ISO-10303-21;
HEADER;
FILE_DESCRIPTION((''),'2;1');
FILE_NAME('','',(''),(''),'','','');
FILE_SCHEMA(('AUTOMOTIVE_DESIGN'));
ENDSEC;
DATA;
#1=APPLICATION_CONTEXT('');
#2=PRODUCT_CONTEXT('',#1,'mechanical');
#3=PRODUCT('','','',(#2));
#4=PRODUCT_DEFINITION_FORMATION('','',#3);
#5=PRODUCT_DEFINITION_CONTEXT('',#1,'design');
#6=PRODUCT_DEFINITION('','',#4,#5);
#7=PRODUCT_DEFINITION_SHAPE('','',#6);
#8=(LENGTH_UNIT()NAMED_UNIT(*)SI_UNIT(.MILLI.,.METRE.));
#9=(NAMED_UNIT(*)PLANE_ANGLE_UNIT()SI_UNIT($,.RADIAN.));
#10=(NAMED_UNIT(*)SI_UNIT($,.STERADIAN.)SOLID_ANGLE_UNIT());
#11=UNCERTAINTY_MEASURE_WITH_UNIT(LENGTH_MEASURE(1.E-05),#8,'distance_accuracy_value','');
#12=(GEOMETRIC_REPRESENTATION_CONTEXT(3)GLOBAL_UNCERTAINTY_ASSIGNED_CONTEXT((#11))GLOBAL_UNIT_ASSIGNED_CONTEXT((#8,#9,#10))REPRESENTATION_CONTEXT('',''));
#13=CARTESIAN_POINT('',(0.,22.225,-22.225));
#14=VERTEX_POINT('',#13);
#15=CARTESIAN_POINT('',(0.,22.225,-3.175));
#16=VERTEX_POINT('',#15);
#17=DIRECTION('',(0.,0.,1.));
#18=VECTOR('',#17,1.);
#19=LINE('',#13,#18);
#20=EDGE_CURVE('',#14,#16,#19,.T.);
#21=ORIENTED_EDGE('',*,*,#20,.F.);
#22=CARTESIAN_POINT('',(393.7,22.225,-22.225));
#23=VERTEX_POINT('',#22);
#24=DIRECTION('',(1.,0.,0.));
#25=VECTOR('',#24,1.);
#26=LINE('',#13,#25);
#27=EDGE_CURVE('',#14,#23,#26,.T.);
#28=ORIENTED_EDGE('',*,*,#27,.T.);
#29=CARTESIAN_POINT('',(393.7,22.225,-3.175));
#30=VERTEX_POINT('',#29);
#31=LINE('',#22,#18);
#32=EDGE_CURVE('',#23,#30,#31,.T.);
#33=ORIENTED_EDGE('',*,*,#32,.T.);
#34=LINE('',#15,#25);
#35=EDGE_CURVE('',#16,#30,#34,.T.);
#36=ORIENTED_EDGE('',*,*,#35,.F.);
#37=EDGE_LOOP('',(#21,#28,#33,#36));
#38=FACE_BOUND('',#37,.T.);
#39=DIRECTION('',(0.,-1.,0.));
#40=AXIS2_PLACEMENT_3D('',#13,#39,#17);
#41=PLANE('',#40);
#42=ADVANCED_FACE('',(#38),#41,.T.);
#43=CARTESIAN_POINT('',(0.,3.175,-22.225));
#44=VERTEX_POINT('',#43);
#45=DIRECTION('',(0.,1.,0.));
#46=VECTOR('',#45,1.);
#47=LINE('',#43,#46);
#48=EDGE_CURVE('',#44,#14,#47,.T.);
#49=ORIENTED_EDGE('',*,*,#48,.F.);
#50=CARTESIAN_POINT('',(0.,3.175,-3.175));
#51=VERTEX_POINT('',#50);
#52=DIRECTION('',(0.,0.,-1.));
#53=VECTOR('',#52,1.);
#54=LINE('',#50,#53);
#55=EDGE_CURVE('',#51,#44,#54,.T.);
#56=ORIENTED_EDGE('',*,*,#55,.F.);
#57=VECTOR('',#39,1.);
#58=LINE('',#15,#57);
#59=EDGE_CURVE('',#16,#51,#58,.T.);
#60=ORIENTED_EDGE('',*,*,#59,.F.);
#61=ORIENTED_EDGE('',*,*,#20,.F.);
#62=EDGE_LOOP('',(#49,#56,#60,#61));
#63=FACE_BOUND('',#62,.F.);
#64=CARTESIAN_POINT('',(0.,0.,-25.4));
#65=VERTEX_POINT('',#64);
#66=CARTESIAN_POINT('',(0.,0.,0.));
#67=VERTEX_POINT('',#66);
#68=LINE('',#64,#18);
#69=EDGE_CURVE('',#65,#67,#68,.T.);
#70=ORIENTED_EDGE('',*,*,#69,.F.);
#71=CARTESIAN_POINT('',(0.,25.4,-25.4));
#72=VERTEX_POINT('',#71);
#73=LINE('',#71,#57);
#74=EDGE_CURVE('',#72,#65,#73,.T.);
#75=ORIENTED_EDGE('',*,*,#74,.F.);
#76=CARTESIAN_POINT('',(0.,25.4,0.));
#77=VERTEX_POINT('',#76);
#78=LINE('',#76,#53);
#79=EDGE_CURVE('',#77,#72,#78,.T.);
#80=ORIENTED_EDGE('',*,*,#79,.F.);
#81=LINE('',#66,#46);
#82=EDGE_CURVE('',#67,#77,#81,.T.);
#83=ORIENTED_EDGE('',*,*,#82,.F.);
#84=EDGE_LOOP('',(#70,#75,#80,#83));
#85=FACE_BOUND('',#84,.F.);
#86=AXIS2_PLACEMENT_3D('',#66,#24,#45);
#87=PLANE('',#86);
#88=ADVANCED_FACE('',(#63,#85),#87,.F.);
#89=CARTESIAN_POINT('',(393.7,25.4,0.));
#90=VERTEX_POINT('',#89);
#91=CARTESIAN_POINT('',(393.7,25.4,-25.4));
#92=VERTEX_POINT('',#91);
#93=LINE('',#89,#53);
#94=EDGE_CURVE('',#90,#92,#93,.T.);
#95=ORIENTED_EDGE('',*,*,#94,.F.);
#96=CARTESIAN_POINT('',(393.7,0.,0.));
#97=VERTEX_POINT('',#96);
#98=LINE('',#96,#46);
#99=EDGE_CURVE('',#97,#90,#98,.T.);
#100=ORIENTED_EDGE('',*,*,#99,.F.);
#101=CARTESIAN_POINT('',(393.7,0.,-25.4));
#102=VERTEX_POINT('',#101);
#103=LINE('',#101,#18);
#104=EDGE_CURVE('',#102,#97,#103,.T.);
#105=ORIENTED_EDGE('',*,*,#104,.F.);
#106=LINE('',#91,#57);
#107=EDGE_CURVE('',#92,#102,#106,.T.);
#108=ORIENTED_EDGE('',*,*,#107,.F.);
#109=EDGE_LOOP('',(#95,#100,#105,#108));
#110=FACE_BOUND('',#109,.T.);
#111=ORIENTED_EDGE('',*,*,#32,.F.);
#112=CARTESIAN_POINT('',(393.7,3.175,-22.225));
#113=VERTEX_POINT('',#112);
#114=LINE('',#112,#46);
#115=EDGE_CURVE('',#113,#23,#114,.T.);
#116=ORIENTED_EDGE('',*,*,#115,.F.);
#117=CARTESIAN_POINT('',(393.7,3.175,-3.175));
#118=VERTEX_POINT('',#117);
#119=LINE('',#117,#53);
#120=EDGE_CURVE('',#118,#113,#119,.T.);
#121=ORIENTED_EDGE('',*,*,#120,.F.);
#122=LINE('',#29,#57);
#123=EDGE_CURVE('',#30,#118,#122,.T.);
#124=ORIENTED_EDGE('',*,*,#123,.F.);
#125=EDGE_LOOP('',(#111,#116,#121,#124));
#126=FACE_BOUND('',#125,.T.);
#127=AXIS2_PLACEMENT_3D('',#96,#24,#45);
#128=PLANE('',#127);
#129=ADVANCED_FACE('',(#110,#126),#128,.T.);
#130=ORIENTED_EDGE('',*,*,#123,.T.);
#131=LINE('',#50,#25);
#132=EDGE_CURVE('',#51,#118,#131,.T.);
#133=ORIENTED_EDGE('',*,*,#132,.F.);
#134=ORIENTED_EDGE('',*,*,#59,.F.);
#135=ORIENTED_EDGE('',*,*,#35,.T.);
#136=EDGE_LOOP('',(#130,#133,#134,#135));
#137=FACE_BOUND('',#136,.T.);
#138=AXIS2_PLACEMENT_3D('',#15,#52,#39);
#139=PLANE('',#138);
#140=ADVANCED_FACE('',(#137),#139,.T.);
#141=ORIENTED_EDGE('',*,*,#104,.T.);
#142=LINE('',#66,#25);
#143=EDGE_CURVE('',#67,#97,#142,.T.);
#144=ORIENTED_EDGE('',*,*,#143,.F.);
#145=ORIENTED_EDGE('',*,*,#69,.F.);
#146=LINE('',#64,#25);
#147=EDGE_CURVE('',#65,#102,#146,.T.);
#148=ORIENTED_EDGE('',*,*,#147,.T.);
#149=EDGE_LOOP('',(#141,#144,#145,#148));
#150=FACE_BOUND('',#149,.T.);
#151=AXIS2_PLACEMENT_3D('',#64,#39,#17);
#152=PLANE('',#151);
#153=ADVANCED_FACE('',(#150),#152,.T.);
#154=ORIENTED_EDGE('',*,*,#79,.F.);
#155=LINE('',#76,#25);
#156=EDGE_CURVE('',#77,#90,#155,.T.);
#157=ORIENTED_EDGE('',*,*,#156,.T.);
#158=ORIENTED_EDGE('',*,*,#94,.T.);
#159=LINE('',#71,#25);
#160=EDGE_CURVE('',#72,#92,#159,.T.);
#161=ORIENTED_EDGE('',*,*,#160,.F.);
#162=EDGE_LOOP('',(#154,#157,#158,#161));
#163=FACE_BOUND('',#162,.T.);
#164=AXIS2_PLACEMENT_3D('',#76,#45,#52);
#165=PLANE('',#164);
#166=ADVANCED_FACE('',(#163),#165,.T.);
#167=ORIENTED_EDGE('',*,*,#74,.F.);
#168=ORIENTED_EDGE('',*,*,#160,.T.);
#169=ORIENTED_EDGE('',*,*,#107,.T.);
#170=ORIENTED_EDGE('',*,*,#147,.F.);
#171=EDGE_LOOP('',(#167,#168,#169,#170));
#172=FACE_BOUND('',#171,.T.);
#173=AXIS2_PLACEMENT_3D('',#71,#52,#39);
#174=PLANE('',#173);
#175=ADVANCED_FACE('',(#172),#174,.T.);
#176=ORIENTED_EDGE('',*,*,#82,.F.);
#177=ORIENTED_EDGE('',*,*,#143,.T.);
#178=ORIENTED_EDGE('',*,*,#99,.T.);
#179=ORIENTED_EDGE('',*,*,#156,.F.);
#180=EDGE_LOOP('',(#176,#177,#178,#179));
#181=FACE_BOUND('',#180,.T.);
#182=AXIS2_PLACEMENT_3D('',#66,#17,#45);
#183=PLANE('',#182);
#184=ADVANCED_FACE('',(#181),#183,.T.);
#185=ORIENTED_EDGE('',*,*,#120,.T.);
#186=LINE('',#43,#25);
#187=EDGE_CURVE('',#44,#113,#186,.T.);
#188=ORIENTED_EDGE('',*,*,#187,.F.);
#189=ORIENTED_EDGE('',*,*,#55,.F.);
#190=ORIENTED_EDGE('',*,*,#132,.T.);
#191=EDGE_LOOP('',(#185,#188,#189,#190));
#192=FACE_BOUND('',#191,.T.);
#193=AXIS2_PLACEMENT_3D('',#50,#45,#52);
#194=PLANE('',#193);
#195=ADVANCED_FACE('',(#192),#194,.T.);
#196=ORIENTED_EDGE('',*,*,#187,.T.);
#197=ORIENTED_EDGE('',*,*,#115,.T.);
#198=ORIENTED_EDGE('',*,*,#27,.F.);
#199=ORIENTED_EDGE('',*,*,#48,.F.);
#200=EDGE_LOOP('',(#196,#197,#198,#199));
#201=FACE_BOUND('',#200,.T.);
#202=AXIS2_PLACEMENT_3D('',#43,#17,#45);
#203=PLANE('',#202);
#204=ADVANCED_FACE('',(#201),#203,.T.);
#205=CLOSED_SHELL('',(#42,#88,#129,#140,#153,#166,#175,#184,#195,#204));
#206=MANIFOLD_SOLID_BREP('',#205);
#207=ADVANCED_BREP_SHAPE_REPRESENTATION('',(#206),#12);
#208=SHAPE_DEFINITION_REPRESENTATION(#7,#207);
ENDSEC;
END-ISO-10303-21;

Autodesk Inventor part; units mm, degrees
ref_plane "YZ Plane" through (0, 0, 0) normal (1, 0, 0) x (0, 1, 0)
ref_plane "XZ Plane" through (0, 0, 0) normal (0, 1, 0) x (-1, 0, 0)
ref_plane "XY Plane" through (0, 0, 0) normal (0, 0, 1) x (1, 0, 0)
sketch "Sketch1" plane through (0, 0, 0) normal (1, 0, 0) x (0, 1, 0)
  line L0 (0, 0) -> (25.4, 0)
  line L1 (25.4, 0) -> (25.4, -25.4)
  line L2 (25.4, -25.4) -> (0, -25.4)
  line L3 (0, -25.4) -> (0, 0)
  line L4 (22.225, -22.225) -> (22.225, -3.175)
  line L5 (22.225, -3.175) -> (3.175, -3.175)
  line L6 (3.175, -3.175) -> (3.175, -22.225)
  line L7 (3.175, -22.225) -> (22.225, -22.225)
  dimension "d0" = 25.4
  dimension "d1" = 25.4
  dimension "d2" = 3.175
extrude "Extrusion1" add sketch "Sketch1" along normal blind 393.7
properties part number "15.5x1x1liftbar" material "Aluminum 6061"
